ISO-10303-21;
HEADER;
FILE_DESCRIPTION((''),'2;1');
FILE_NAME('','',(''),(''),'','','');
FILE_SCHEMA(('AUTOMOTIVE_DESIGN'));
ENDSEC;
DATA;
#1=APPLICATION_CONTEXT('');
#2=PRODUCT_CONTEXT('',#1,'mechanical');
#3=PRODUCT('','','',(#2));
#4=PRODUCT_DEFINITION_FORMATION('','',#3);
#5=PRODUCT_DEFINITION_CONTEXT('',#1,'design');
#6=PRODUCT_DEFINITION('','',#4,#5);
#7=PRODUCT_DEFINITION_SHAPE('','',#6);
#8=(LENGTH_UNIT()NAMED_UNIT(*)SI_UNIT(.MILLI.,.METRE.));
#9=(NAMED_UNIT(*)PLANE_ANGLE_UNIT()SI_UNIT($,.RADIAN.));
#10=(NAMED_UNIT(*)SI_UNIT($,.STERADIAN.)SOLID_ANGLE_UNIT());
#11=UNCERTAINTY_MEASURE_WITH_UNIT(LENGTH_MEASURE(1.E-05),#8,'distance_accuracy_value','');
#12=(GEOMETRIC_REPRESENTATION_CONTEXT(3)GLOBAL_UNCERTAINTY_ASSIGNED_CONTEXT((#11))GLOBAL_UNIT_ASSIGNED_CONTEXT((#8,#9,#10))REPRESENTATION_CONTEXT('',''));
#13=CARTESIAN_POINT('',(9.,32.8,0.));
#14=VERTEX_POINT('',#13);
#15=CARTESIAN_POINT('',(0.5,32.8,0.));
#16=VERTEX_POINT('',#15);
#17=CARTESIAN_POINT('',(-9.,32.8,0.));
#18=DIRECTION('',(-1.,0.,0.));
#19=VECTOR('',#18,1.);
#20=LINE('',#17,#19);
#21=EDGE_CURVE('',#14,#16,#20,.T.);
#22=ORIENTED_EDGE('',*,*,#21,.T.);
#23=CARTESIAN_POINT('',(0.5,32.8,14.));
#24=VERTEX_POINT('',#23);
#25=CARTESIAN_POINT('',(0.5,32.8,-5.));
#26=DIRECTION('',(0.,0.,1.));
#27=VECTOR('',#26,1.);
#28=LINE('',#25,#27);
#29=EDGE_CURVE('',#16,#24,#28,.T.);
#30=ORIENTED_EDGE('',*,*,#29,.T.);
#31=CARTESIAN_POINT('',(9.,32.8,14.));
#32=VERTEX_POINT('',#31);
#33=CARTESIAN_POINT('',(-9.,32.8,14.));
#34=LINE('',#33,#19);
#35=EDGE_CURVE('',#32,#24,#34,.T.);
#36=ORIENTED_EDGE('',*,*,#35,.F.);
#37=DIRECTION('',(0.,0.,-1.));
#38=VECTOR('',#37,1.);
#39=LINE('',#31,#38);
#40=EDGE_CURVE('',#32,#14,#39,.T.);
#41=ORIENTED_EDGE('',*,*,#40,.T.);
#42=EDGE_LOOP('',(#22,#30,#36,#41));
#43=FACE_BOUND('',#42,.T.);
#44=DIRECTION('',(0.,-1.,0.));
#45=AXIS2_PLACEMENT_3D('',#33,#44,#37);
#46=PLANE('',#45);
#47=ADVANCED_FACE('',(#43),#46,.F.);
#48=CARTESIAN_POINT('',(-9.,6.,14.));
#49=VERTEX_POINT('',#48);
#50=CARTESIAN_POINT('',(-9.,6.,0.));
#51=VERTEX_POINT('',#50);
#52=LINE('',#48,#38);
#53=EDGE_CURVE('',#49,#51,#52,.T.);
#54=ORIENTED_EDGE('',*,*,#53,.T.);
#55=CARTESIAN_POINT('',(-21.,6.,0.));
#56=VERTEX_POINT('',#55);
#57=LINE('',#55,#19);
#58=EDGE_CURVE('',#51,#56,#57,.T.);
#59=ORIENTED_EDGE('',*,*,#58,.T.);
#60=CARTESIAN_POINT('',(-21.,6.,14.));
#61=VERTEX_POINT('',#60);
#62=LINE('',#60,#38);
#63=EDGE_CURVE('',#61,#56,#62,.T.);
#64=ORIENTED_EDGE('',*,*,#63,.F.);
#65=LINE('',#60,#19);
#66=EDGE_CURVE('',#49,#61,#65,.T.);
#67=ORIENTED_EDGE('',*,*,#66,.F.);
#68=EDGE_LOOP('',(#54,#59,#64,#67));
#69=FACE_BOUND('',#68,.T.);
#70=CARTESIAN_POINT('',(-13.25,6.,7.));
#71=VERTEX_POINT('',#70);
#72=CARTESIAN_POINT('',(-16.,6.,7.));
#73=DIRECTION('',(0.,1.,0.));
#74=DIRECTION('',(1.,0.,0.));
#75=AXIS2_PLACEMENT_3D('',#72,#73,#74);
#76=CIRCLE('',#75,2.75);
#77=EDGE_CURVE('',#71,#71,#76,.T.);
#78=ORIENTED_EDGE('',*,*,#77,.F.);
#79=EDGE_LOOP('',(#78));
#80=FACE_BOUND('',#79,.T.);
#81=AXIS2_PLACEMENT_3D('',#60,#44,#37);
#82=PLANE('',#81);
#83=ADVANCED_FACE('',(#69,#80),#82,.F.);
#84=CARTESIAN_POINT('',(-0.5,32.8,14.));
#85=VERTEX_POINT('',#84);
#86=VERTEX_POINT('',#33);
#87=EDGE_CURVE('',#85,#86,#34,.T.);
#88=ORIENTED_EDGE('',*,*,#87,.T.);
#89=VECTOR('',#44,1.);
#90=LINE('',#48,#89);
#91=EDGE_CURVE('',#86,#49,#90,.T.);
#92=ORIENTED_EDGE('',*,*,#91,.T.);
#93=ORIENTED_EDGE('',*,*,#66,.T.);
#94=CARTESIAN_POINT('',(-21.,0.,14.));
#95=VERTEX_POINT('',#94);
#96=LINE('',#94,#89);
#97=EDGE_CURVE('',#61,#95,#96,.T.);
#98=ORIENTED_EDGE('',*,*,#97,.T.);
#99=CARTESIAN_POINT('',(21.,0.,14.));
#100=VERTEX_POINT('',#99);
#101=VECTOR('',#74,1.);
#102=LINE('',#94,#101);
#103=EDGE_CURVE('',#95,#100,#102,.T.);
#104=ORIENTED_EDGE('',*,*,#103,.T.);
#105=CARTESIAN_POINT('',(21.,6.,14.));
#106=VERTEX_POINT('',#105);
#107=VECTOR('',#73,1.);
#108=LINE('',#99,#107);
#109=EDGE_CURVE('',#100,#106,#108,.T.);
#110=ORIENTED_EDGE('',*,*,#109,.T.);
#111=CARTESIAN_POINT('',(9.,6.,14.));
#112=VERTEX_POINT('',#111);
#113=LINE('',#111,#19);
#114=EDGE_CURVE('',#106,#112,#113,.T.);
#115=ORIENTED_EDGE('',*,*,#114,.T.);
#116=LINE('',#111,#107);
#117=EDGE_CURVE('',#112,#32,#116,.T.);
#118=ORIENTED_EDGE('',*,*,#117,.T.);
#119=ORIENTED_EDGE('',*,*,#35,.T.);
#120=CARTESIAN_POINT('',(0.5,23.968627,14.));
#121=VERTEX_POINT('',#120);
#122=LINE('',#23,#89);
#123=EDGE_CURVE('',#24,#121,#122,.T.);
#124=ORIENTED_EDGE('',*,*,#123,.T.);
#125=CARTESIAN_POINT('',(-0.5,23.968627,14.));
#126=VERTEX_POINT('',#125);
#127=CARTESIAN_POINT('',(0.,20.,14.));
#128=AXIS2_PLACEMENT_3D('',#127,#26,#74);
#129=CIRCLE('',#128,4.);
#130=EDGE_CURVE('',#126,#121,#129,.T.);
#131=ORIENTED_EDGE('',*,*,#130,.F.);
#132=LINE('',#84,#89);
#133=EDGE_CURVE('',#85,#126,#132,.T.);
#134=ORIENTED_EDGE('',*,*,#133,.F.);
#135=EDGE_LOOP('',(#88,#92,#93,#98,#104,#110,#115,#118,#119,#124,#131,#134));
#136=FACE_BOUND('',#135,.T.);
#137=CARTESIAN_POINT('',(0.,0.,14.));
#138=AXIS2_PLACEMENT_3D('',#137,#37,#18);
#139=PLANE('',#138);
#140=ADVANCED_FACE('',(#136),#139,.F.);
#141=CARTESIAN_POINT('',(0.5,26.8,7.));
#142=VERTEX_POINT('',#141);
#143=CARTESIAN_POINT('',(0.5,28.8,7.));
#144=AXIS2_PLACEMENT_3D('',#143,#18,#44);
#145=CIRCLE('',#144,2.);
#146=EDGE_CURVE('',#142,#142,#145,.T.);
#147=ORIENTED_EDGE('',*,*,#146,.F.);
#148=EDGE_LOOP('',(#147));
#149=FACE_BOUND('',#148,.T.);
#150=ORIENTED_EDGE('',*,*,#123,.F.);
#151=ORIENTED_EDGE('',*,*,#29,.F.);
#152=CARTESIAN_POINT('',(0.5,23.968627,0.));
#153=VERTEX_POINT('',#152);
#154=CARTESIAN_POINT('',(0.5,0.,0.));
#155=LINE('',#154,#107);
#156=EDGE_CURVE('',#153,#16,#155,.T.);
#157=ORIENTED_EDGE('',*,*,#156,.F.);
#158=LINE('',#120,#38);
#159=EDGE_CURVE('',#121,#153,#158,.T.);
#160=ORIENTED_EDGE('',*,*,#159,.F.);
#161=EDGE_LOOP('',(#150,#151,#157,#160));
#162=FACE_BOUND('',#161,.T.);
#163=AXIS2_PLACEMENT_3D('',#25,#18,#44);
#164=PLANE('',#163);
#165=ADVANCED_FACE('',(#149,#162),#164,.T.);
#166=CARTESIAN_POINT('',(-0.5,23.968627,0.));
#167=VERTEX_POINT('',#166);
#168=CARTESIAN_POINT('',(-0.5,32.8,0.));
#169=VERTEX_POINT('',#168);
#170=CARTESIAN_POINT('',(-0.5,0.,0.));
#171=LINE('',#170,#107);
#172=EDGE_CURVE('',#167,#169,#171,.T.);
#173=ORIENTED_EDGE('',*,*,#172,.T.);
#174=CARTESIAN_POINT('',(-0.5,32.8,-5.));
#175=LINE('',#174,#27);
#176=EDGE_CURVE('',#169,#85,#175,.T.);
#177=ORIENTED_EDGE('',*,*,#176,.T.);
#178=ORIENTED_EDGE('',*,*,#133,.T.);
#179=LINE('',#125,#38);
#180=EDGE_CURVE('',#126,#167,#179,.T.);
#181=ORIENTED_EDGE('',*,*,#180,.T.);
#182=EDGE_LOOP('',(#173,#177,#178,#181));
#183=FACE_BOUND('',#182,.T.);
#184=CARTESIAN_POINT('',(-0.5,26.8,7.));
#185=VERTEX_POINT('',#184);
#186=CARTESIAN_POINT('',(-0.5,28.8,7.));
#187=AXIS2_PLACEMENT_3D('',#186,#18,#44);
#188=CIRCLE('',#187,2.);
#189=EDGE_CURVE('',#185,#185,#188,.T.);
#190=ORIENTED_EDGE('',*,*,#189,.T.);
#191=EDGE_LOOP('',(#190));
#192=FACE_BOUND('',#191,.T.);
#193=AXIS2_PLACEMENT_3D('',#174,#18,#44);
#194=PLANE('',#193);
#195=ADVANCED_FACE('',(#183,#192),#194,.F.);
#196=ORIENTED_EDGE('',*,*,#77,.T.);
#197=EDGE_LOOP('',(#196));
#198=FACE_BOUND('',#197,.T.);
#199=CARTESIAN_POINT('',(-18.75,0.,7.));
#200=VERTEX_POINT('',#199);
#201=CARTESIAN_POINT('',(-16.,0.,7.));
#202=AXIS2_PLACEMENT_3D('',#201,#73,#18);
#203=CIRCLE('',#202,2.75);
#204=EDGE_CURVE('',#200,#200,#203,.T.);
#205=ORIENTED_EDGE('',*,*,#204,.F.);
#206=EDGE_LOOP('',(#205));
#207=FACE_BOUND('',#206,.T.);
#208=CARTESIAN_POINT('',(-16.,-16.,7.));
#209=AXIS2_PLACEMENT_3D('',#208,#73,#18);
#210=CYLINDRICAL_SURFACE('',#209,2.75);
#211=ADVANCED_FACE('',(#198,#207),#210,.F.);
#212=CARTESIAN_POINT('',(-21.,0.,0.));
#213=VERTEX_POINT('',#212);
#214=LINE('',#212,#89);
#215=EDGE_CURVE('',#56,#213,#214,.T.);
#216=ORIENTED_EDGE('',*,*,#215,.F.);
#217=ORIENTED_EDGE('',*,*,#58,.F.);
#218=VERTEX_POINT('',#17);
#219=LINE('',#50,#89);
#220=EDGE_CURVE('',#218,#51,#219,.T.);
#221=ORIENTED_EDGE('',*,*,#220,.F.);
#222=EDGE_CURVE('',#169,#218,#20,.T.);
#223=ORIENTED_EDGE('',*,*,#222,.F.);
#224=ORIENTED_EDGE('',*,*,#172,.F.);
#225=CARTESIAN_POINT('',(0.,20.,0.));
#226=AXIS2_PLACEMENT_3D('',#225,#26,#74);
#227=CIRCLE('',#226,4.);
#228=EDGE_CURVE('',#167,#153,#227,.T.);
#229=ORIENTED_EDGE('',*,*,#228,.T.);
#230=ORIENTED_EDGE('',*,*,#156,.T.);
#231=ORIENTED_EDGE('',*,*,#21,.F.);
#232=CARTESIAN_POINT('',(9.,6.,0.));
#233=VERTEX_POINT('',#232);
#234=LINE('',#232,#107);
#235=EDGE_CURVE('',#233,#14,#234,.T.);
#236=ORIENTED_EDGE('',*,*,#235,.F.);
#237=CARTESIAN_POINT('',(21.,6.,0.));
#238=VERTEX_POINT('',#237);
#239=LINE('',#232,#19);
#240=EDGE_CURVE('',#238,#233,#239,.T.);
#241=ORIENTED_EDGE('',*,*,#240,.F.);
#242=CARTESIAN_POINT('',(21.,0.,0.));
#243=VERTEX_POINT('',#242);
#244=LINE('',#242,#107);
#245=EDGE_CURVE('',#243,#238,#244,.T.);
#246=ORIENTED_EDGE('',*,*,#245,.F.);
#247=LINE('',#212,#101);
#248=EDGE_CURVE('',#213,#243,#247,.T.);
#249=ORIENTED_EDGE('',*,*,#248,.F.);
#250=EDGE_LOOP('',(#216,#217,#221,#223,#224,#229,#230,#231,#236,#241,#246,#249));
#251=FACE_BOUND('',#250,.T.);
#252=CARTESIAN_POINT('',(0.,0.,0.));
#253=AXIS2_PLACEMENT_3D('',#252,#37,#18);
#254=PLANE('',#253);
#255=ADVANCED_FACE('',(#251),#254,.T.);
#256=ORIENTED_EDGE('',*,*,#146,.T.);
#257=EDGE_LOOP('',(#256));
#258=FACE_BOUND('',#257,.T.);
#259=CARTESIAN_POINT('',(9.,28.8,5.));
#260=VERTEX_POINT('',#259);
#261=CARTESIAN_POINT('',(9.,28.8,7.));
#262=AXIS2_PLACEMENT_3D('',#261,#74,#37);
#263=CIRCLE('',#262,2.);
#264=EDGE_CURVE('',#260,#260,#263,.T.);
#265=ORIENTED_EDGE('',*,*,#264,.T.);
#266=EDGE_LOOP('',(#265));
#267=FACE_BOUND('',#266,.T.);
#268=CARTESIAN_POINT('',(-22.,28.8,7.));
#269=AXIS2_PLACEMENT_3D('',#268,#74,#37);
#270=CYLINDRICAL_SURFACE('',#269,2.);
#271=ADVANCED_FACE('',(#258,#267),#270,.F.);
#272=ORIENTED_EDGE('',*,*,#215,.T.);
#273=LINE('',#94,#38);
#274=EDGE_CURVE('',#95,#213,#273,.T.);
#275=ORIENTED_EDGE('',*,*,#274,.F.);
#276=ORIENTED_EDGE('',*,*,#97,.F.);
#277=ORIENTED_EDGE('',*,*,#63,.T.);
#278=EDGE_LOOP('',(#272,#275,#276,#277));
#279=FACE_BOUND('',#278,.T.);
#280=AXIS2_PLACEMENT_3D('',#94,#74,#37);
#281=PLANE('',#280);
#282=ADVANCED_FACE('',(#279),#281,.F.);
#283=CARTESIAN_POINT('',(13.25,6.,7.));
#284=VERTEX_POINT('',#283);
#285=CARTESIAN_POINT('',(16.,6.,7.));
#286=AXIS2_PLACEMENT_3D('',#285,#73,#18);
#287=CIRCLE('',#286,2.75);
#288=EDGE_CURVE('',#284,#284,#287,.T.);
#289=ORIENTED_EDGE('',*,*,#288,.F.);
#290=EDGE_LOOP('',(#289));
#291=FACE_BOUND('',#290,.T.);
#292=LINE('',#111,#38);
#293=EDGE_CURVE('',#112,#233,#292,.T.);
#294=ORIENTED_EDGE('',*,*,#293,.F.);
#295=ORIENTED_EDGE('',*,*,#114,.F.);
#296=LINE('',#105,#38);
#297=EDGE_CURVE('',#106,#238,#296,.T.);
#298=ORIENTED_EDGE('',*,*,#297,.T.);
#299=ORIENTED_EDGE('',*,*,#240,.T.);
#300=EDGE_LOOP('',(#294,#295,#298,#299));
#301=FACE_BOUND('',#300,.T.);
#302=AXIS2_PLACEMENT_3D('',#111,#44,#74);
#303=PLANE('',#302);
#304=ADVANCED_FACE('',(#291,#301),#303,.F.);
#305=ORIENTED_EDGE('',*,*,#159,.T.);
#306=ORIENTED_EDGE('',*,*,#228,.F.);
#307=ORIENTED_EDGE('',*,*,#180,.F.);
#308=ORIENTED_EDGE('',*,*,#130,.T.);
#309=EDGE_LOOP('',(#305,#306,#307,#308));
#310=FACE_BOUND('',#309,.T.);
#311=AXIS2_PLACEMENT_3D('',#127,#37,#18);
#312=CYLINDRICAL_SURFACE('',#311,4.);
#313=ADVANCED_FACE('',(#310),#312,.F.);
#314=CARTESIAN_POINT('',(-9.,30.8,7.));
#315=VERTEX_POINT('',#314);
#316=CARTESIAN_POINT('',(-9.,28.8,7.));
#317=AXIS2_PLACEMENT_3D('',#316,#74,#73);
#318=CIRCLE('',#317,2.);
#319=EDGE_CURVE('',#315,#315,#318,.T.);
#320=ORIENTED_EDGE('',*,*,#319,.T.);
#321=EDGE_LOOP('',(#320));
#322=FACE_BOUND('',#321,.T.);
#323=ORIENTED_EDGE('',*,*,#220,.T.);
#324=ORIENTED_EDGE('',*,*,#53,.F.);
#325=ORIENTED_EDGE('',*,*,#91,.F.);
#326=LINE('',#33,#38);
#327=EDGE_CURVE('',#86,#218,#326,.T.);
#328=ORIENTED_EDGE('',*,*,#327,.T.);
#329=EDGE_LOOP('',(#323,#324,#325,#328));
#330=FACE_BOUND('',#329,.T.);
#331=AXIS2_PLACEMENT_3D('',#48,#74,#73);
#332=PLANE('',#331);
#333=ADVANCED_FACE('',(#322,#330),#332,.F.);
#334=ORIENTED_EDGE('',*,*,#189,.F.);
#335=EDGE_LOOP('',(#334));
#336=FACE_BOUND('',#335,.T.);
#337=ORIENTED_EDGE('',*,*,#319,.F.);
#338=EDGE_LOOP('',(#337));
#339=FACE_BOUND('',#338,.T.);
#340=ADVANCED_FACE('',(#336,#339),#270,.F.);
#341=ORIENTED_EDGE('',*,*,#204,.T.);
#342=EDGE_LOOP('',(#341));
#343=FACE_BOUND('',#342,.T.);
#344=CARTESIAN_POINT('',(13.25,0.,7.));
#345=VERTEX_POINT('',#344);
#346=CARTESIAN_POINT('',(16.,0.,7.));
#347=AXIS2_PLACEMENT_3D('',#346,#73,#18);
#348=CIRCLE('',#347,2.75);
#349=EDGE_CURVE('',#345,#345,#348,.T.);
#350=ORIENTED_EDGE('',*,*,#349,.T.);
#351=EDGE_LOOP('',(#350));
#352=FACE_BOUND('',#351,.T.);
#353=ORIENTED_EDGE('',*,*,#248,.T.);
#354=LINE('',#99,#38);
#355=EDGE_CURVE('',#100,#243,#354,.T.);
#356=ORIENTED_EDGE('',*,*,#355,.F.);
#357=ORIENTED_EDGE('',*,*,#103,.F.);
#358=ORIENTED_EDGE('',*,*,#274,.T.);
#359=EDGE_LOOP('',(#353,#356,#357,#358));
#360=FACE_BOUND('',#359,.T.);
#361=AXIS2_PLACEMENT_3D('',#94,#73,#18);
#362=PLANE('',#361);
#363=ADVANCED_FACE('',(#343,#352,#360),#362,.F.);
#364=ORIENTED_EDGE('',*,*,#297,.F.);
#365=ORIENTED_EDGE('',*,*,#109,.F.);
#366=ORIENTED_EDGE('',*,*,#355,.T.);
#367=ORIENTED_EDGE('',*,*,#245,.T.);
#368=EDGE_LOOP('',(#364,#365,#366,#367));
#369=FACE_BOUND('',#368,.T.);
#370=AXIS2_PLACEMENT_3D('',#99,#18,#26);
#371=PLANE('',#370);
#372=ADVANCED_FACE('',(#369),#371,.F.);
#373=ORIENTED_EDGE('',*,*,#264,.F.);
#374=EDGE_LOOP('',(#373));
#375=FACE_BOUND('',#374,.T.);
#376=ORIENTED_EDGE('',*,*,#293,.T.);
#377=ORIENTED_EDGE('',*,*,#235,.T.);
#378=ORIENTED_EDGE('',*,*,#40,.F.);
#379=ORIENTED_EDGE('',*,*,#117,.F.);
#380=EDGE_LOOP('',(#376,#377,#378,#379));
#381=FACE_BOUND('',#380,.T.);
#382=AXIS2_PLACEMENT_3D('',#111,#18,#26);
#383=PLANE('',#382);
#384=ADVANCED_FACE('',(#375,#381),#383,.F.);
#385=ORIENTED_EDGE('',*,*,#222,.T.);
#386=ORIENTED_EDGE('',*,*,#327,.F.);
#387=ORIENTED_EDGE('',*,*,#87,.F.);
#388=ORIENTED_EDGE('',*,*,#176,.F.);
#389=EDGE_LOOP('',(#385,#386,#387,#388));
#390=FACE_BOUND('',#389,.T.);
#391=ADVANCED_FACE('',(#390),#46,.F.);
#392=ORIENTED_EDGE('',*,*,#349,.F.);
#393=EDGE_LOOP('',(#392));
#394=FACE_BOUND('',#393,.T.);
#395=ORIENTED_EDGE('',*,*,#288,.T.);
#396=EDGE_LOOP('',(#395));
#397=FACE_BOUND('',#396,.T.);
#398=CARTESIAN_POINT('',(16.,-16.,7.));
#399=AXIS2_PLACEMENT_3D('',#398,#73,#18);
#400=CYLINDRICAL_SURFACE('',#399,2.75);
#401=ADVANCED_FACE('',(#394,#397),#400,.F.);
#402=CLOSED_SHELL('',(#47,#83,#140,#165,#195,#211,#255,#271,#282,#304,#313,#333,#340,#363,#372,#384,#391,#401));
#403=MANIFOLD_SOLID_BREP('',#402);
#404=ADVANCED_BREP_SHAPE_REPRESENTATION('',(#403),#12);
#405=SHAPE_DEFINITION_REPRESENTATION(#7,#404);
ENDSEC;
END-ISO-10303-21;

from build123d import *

# Parameters (mm, degrees)
SKETCH1_R           = 4
BOSS_EXTRUDE1_DEPTH = 14
SKETCH3_W           = 1
SKETCH3_H           = 11.790173319
CUT_EXTRUDE1_DEPTH  = 19
SKETCH2_R           = 2
CUT_EXTRUDE3_DEPTH  = 31
SKETCH5_R           = 2.75
CUT_EXTRUDE5_DEPTH  = 22


with BuildPart() as part:
    # Sketch1 → Boss-Extrude1 (new body)
    with BuildSketch(Plane.XY):
        Polygon((-21, 0), (21, 0), (21, 6), (9, 6), (9, 32.8), (-9, 32.8), (-9, 6), (-21, 6), align=None)
        with Locations((0, 20)):
            Circle(SKETCH1_R, mode=Mode.SUBTRACT)
    extrude(amount=BOSS_EXTRUDE1_DEPTH)

    # Sketch3 → Cut-Extrude1 (cut)
    with BuildSketch(Plane.XY.offset(14)):
        with Locations((0, 26.904913341)):
            Rectangle(SKETCH3_W, SKETCH3_H)
    extrude(amount=-CUT_EXTRUDE1_DEPTH, mode=Mode.SUBTRACT)

    # Sketch2 → Cut-Extrude3 (cut)
    with BuildSketch(Plane(origin=(9, 0, 0), x_dir=(0, 0, -1), z_dir=(1, 0, 0))):
        with Locations((-7, 28.8)):
            Circle(SKETCH2_R)
    extrude(amount=-CUT_EXTRUDE3_DEPTH, mode=Mode.SUBTRACT)

    # Sketch5 → Cut-Extrude5 (cut)
    with BuildSketch(Plane(origin=(0, 6, 0), x_dir=(1, 0, 0), z_dir=(0, 1, 0))):
        with Locations(Location((16, -7, 0), (0, 0, 180))):
            Circle(SKETCH5_R)
        with Locations(Location((-16, -7, 0), (0, 0, 180))):
            Circle(SKETCH5_R)
    extrude(amount=-CUT_EXTRUDE5_DEPTH, mode=Mode.SUBTRACT)


solid = part.part
